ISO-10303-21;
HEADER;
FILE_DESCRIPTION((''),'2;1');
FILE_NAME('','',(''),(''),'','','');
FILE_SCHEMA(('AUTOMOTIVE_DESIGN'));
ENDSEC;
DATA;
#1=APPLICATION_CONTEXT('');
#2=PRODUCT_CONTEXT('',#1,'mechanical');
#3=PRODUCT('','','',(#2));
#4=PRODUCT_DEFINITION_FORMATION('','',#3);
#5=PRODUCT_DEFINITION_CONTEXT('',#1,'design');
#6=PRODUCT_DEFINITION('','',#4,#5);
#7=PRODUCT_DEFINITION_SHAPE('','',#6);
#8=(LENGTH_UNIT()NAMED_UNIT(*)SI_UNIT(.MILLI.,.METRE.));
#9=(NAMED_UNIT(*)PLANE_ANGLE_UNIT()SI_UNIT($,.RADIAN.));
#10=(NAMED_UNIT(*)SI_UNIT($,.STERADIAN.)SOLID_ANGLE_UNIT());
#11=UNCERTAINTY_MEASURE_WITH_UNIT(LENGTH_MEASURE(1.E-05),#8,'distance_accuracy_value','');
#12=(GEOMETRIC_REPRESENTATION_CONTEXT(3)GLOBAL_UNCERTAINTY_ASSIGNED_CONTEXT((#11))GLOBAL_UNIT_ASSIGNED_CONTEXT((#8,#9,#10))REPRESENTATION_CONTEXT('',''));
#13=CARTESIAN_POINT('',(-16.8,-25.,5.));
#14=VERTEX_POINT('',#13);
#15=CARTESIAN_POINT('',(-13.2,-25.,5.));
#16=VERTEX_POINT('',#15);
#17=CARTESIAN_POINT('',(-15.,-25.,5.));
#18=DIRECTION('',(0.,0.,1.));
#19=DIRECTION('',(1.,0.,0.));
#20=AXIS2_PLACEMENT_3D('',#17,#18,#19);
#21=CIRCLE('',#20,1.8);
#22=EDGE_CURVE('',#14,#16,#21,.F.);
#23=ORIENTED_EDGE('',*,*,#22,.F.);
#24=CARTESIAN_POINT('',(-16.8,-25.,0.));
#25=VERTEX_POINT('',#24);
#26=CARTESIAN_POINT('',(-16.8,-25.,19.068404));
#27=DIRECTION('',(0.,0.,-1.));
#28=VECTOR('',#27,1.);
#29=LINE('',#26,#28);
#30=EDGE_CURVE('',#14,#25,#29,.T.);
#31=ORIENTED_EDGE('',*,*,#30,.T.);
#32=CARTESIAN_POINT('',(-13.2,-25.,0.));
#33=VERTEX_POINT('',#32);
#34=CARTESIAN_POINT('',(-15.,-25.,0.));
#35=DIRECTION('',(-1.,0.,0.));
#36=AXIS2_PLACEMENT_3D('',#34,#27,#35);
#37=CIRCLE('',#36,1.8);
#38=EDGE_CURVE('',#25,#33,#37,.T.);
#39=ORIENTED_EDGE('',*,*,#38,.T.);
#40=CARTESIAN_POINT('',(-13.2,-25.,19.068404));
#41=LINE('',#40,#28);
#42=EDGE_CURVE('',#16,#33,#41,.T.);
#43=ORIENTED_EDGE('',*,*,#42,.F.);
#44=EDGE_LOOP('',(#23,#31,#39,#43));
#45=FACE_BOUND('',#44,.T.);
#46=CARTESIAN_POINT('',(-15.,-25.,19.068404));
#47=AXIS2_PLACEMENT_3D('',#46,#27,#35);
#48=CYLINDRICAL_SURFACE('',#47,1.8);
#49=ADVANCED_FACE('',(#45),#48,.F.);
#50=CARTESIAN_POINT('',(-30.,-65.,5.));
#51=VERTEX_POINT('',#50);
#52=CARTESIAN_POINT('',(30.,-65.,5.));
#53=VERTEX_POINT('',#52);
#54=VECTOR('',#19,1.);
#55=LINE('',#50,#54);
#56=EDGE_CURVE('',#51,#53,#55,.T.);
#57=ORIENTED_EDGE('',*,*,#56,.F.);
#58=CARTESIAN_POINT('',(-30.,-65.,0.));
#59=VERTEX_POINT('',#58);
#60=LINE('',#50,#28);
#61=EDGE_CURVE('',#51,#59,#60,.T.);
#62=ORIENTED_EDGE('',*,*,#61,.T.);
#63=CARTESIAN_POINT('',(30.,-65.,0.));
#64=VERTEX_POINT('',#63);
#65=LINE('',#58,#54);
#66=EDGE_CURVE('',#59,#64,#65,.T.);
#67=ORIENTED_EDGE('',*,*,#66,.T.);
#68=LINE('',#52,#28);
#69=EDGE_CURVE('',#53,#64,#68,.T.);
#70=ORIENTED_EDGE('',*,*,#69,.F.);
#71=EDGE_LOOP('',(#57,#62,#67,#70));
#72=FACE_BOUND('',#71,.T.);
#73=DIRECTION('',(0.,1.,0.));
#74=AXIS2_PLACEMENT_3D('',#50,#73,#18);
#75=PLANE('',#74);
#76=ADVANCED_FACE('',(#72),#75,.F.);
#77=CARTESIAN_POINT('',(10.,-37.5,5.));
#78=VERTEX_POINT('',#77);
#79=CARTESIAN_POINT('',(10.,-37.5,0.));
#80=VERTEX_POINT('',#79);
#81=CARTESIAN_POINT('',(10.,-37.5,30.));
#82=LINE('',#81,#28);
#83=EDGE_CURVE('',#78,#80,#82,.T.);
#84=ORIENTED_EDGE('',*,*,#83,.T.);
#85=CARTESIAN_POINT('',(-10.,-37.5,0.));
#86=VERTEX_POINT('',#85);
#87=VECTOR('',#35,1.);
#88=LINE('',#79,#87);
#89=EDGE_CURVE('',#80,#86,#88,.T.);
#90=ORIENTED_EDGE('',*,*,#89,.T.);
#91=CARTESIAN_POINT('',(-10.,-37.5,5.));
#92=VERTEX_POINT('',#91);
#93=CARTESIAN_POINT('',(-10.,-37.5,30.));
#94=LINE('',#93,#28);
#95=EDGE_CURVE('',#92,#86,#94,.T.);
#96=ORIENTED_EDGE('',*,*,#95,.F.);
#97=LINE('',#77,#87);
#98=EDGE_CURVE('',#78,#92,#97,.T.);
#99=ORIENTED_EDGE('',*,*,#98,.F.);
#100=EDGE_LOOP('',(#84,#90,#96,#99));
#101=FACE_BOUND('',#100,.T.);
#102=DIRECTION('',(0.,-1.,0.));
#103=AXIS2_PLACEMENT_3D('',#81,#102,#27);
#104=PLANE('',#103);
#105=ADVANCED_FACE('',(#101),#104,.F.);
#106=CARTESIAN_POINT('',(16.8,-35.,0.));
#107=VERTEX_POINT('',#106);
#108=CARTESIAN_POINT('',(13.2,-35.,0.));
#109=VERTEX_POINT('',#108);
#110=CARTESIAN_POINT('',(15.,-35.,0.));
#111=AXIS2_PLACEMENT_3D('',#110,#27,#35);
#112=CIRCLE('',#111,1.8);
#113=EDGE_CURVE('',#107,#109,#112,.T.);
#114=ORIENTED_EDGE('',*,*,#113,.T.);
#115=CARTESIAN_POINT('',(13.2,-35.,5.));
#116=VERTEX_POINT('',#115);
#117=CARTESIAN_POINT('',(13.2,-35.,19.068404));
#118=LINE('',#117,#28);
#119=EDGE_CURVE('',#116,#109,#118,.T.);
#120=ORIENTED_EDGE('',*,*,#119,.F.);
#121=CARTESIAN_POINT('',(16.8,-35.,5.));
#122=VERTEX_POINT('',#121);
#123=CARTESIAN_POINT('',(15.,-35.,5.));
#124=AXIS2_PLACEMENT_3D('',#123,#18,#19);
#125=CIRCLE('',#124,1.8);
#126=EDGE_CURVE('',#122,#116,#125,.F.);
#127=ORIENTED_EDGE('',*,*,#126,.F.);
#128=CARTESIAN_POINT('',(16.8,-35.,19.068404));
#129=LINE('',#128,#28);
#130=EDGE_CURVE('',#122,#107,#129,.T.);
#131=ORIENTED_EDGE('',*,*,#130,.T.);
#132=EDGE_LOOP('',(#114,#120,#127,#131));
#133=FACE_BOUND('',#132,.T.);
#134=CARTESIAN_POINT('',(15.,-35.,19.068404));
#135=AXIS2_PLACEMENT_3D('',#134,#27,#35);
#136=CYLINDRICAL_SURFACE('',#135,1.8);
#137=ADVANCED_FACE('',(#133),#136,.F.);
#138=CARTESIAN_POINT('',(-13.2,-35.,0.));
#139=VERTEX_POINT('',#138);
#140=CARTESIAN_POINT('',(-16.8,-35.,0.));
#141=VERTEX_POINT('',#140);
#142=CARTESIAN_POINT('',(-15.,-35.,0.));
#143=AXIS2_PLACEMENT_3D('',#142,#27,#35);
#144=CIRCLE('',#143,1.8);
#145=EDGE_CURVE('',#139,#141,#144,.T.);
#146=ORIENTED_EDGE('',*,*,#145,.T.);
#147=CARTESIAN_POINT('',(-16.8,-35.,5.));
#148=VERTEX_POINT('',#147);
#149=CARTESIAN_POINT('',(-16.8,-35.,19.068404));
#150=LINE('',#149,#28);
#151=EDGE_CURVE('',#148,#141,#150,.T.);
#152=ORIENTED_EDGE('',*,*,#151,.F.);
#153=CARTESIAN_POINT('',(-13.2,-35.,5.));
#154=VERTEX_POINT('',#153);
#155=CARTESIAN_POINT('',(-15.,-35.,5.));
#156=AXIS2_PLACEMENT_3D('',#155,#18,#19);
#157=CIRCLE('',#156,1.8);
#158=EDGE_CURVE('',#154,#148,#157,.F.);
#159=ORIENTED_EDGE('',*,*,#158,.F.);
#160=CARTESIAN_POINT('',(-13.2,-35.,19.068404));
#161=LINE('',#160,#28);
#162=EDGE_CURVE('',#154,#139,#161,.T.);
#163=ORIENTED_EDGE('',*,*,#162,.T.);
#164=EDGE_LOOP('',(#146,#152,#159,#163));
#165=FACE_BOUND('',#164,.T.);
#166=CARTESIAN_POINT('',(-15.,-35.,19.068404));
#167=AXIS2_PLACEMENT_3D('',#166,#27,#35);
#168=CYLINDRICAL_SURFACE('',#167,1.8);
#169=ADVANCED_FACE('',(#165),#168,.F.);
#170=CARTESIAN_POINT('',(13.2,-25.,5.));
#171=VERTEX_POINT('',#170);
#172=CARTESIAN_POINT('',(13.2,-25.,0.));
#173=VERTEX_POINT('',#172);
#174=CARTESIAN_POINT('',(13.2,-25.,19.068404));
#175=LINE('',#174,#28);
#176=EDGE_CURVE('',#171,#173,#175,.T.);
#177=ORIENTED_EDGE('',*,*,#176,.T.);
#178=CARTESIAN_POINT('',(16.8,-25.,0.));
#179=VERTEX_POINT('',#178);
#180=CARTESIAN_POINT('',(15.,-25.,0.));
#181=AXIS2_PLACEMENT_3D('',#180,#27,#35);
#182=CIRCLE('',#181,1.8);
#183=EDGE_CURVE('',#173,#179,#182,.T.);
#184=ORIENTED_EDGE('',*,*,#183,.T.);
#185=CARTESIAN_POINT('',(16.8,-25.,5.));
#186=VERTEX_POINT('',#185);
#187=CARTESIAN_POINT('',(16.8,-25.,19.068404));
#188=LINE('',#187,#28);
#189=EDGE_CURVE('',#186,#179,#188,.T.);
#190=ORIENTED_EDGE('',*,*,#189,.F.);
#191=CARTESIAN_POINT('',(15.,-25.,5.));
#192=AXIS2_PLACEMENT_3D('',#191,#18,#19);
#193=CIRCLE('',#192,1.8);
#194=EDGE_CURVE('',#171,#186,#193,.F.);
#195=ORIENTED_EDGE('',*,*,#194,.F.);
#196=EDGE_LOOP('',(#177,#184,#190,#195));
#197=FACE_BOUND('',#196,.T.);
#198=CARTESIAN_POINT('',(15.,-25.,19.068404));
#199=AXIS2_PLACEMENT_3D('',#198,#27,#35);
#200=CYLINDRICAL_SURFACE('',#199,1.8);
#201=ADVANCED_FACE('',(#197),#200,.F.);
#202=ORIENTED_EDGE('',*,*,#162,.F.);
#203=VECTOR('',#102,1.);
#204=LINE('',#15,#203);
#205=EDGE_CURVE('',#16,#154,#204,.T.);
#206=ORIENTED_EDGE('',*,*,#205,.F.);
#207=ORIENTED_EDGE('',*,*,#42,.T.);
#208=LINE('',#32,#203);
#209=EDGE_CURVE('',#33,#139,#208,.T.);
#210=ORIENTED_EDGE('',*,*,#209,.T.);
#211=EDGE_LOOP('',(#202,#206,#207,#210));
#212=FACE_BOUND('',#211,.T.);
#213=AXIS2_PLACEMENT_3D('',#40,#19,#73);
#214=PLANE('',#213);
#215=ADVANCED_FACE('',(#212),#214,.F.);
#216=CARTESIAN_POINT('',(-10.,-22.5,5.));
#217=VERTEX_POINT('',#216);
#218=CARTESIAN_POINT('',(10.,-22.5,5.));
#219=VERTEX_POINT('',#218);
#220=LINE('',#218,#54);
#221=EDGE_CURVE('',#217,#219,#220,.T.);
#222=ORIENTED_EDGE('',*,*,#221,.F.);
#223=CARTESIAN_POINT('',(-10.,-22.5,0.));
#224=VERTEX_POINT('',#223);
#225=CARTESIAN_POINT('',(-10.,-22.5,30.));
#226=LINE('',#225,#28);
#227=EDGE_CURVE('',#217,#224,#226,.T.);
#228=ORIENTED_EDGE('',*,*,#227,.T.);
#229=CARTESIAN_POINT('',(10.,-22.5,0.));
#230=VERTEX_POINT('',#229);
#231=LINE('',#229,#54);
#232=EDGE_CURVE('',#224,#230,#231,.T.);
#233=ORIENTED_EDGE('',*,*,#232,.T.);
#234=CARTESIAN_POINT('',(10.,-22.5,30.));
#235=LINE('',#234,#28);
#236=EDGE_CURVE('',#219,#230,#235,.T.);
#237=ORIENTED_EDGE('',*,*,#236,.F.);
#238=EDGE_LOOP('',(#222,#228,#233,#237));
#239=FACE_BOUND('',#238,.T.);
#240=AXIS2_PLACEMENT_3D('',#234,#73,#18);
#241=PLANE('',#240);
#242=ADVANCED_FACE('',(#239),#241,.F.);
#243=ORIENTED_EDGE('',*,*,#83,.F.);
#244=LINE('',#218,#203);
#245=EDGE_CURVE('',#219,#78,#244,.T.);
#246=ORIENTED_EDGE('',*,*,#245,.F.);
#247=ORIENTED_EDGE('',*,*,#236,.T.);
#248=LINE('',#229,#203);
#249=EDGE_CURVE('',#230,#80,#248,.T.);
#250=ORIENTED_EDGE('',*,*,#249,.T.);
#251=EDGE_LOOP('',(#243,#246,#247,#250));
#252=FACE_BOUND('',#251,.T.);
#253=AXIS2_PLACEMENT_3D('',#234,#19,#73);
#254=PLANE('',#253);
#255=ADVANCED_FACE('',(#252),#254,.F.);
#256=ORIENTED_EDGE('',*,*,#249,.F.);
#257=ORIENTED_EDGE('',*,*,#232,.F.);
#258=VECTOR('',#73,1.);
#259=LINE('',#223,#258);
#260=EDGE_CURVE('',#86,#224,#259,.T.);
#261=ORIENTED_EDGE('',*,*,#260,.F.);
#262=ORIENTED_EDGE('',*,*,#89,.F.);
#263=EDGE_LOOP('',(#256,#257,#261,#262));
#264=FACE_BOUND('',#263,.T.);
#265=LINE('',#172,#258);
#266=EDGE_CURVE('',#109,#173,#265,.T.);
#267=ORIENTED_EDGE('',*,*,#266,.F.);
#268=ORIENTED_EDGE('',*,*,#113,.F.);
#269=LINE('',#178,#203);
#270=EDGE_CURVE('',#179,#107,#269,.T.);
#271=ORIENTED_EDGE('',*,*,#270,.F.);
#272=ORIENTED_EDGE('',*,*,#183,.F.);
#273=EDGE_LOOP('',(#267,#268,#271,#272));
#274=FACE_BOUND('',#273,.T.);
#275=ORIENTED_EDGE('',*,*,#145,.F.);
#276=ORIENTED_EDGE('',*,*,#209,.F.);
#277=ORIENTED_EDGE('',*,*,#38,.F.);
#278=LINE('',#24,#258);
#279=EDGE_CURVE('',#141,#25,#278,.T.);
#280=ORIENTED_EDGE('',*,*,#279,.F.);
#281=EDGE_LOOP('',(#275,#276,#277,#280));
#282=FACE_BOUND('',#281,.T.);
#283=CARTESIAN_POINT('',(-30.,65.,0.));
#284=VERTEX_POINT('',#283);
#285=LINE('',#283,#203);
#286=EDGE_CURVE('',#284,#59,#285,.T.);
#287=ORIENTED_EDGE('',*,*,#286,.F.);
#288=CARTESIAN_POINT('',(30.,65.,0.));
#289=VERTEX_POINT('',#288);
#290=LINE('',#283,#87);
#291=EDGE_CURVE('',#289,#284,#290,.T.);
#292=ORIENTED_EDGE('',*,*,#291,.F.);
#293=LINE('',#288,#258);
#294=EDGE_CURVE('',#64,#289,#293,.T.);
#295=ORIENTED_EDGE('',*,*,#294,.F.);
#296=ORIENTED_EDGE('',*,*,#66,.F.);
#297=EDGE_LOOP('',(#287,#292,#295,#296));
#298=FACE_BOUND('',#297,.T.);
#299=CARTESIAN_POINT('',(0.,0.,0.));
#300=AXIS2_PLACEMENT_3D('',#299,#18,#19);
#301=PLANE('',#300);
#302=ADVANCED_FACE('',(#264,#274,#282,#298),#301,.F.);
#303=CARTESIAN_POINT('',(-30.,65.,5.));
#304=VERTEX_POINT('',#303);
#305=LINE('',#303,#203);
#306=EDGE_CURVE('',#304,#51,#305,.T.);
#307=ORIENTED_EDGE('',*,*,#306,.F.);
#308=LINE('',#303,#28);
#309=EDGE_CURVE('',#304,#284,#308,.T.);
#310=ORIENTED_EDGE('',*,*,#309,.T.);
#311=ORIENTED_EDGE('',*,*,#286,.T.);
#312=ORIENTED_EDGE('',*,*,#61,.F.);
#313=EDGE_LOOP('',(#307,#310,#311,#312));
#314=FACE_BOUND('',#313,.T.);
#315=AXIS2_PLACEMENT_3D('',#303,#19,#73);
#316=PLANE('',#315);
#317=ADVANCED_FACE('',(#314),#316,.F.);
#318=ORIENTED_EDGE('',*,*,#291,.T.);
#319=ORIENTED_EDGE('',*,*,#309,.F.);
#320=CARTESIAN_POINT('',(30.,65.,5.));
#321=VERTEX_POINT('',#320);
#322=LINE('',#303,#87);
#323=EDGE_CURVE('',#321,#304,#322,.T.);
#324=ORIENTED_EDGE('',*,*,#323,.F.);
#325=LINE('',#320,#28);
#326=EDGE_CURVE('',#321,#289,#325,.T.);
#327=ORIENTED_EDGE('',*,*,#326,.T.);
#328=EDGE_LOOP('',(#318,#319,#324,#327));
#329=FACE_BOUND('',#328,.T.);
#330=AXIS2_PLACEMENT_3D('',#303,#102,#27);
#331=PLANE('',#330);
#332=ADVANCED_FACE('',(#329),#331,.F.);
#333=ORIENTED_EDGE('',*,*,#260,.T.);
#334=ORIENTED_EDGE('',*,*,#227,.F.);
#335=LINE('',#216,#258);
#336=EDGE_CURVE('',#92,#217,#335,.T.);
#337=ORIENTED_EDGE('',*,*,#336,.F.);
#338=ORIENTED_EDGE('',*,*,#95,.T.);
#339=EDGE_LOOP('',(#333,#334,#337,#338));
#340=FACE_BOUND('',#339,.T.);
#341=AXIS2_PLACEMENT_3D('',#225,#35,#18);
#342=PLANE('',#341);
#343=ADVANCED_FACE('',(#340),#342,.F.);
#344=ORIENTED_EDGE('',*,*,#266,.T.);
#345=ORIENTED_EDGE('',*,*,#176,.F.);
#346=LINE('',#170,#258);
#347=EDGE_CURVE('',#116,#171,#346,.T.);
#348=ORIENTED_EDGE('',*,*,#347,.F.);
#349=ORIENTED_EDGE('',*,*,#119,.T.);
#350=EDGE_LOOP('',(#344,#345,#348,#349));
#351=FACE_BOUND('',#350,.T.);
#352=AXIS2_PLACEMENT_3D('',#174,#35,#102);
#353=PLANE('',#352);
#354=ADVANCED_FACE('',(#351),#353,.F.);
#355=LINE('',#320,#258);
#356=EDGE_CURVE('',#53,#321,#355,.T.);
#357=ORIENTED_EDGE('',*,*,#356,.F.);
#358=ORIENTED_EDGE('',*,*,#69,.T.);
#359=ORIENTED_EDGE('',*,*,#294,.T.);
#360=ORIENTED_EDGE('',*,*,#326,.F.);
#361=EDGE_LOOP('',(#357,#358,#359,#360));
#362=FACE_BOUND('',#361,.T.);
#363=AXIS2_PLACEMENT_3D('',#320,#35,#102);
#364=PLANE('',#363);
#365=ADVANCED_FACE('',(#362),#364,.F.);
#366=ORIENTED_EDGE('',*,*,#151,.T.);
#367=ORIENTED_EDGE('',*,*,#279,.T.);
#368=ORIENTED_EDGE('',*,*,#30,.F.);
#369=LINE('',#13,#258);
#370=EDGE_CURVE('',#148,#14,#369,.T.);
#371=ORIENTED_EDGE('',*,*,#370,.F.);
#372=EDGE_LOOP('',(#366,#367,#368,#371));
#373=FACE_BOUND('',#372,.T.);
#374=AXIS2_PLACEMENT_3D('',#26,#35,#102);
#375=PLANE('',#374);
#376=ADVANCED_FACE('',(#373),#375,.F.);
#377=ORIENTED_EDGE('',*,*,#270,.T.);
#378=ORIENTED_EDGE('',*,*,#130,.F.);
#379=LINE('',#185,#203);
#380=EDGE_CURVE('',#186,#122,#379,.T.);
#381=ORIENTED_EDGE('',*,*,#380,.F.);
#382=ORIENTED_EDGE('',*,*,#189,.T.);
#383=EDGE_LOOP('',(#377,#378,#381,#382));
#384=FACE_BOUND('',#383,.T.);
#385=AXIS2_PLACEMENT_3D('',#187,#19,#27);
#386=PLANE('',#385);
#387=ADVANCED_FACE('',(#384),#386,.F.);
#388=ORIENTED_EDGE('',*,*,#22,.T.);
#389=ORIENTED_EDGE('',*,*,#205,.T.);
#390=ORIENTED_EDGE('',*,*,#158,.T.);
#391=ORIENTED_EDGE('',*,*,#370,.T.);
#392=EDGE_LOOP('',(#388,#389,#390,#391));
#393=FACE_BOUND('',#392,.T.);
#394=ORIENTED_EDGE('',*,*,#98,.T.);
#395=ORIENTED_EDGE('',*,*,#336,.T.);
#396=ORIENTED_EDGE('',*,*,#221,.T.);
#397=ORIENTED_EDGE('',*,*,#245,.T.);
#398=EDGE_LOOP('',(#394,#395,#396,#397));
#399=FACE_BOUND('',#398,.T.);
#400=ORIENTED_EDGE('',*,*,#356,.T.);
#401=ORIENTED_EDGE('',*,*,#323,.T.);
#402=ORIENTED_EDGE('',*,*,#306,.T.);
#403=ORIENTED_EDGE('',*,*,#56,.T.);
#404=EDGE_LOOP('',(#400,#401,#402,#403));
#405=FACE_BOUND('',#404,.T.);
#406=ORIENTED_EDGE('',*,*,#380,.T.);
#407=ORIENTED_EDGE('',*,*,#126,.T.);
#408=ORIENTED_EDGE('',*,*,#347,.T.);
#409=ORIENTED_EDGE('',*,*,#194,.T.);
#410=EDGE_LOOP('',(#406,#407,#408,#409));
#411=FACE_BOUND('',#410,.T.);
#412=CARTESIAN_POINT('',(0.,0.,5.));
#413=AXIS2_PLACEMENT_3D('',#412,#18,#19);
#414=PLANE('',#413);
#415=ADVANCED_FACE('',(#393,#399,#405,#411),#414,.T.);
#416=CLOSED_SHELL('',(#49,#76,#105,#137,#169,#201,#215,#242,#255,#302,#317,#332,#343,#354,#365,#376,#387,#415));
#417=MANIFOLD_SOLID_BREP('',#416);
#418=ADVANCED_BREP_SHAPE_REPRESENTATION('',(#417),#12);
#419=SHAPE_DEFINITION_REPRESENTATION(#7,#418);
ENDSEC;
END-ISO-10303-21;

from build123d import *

# Parameters (mm, degrees)
SKETCH1_W           = 60
SKETCH1_H           = 130
BOSS_EXTRUDE1_DEPTH = 5
SKETCH2_W           = 20
SKETCH2_H           = 15
CUT_EXTRUDE1_DEPTH  = 5
CUT_EXTRUDE2_DEPTH  = 5


with BuildPart() as part:
    # Sketch1 → Boss-Extrude1 (new body)
    with BuildSketch(Plane.XY):
        Rectangle(SKETCH1_W, SKETCH1_H)
    extrude(amount=BOSS_EXTRUDE1_DEPTH)

    # Sketch2 → Cut-Extrude1 (cut)
    with BuildSketch(Plane(origin=(0, 0, 0), x_dir=(-1, 0, 0), z_dir=(0, 0, -1))):
        with Locations((0, -30)):
            Rectangle(SKETCH2_W, SKETCH2_H)
    extrude(amount=-CUT_EXTRUDE1_DEPTH, mode=Mode.SUBTRACT)

    # Sketch3 → Cut-Extrude2 (cut)
    with BuildSketch(Plane(origin=(0, 0, 0), x_dir=(-1, 0, 0), z_dir=(0, 0, -1))):
        with BuildLine():
            Line((16.8, -25), (16.8, -35))
            ThreePointArc((16.8, -35), (15, -36.8), (13.2, -35))
            Line((13.2, -35), (13.2, -25))
            ThreePointArc((13.2, -25), (15, -23.2), (16.8, -25))
        make_face()
        with BuildLine():
            Line((-13.2, -25), (-13.2, -35))
            ThreePointArc((-13.2, -35), (-15, -36.8), (-16.8, -35))
            Line((-16.8, -35), (-16.8, -25))
            ThreePointArc((-16.8, -25), (-15, -23.2), (-13.2, -25))
        make_face()
    extrude(amount=-CUT_EXTRUDE2_DEPTH, mode=Mode.SUBTRACT)


solid = part.part
